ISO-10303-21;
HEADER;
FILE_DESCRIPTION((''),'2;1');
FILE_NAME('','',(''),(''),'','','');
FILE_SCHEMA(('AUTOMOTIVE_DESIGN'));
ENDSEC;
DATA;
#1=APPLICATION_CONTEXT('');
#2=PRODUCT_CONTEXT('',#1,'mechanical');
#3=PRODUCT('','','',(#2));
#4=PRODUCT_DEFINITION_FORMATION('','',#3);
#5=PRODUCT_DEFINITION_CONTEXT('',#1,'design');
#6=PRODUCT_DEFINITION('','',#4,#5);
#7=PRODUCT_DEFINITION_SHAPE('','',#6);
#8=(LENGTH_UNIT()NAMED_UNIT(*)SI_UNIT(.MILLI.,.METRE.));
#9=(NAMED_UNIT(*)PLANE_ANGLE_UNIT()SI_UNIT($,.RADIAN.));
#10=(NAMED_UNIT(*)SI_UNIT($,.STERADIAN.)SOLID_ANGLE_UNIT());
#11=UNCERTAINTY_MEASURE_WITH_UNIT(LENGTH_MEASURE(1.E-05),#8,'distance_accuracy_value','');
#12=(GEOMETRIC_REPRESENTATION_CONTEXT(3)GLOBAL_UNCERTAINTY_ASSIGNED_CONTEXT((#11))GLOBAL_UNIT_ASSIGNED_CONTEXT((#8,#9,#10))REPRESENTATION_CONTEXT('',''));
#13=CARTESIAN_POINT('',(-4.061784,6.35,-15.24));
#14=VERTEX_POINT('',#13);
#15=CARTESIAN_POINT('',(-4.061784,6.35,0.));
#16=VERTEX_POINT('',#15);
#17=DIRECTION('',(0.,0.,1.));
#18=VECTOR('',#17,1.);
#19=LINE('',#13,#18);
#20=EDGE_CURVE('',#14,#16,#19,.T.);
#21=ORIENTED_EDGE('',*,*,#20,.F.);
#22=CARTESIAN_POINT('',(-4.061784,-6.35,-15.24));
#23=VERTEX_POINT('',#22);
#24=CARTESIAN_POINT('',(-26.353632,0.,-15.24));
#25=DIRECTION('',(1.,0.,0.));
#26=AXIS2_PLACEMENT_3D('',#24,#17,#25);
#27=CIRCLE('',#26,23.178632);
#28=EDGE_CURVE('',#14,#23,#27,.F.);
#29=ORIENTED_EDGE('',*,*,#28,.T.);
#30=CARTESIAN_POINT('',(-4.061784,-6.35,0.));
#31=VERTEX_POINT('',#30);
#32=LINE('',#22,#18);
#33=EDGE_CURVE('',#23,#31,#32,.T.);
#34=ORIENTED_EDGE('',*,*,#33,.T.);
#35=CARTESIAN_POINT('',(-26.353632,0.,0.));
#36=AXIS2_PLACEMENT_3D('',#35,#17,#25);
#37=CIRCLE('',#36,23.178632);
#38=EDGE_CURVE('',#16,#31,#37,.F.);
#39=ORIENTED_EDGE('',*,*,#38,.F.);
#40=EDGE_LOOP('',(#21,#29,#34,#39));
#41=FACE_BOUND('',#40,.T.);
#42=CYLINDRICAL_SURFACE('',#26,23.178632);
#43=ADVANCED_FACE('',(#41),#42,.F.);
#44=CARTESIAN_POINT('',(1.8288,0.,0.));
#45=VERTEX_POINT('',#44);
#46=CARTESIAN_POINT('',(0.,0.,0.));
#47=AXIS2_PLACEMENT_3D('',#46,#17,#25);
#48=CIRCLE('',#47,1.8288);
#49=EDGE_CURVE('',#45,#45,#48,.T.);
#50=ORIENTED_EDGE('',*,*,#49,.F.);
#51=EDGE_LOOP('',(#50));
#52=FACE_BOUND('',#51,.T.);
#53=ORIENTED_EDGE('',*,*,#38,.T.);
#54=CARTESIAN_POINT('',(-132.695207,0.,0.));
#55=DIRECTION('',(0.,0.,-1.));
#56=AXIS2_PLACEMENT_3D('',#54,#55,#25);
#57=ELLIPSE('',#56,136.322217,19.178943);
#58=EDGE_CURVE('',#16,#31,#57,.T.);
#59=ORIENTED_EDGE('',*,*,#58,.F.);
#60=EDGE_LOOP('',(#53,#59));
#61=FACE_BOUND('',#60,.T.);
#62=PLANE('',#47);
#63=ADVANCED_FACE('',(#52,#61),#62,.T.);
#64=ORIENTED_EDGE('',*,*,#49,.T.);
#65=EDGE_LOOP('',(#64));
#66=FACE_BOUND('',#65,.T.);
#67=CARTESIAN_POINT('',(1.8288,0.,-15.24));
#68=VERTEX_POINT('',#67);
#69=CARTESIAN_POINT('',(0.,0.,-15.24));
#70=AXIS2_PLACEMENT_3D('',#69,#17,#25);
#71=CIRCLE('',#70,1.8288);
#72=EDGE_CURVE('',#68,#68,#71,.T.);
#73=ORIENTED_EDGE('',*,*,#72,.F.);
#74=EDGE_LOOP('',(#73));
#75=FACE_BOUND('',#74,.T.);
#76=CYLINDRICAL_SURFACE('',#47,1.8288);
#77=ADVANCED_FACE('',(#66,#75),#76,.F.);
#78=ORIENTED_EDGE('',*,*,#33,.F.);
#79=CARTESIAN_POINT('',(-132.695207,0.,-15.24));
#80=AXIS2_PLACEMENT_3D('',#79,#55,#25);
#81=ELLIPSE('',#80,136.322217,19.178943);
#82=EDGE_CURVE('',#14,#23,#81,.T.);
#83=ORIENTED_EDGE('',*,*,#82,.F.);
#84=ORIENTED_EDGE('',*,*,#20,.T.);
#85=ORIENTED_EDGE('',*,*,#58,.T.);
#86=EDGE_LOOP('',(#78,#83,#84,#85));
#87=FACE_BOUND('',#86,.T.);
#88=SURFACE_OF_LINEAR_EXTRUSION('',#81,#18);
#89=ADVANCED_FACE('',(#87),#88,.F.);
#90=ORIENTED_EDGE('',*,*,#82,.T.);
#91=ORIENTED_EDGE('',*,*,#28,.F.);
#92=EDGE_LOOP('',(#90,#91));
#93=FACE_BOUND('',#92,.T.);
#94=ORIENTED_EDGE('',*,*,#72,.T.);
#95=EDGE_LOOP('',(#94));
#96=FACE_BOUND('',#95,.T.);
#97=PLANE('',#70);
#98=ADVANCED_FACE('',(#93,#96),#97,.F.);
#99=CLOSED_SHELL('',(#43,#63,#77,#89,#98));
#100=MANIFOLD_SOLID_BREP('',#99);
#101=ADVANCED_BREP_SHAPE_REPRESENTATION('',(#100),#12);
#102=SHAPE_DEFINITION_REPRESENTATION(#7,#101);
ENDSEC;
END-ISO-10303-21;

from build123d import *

# Parameters (mm, degrees)
BOSS_EXTRUDE1_DEPTH       = 15.24
F_6_CLEARANCE_HOLE2_D     = 3.6576
F_6_CLEARANCE_HOLE2_DEPTH = 15.241


with BuildPart() as part:
    # Sketch1 → Boss-Extrude1 (new body)
    with BuildSketch(Plane.XY):
        with BuildLine():
            ThreePointArc((-4.061784119, 6.35), (-3.175, 0), (-4.061784119, -6.35))
            add(Edge.make_bspline(
                [(-4.061784119, -6.35), (11.775385187, 0), (-4.061784119, 6.35)],
                knots=[5.945724399, 5.945724399, 5.945724399, 6.620646215, 6.620646215, 6.620646215], degree=2, weights=[1, 0.94359838, 1]))
        make_face()
    extrude(amount=-BOSS_EXTRUDE1_DEPTH)

    # #6 Clearance Hole2
    with Locations(Plane.XY):
        with Locations((0, 0)):
            Hole(F_6_CLEARANCE_HOLE2_D / 2, depth=F_6_CLEARANCE_HOLE2_DEPTH)


solid = part.part
